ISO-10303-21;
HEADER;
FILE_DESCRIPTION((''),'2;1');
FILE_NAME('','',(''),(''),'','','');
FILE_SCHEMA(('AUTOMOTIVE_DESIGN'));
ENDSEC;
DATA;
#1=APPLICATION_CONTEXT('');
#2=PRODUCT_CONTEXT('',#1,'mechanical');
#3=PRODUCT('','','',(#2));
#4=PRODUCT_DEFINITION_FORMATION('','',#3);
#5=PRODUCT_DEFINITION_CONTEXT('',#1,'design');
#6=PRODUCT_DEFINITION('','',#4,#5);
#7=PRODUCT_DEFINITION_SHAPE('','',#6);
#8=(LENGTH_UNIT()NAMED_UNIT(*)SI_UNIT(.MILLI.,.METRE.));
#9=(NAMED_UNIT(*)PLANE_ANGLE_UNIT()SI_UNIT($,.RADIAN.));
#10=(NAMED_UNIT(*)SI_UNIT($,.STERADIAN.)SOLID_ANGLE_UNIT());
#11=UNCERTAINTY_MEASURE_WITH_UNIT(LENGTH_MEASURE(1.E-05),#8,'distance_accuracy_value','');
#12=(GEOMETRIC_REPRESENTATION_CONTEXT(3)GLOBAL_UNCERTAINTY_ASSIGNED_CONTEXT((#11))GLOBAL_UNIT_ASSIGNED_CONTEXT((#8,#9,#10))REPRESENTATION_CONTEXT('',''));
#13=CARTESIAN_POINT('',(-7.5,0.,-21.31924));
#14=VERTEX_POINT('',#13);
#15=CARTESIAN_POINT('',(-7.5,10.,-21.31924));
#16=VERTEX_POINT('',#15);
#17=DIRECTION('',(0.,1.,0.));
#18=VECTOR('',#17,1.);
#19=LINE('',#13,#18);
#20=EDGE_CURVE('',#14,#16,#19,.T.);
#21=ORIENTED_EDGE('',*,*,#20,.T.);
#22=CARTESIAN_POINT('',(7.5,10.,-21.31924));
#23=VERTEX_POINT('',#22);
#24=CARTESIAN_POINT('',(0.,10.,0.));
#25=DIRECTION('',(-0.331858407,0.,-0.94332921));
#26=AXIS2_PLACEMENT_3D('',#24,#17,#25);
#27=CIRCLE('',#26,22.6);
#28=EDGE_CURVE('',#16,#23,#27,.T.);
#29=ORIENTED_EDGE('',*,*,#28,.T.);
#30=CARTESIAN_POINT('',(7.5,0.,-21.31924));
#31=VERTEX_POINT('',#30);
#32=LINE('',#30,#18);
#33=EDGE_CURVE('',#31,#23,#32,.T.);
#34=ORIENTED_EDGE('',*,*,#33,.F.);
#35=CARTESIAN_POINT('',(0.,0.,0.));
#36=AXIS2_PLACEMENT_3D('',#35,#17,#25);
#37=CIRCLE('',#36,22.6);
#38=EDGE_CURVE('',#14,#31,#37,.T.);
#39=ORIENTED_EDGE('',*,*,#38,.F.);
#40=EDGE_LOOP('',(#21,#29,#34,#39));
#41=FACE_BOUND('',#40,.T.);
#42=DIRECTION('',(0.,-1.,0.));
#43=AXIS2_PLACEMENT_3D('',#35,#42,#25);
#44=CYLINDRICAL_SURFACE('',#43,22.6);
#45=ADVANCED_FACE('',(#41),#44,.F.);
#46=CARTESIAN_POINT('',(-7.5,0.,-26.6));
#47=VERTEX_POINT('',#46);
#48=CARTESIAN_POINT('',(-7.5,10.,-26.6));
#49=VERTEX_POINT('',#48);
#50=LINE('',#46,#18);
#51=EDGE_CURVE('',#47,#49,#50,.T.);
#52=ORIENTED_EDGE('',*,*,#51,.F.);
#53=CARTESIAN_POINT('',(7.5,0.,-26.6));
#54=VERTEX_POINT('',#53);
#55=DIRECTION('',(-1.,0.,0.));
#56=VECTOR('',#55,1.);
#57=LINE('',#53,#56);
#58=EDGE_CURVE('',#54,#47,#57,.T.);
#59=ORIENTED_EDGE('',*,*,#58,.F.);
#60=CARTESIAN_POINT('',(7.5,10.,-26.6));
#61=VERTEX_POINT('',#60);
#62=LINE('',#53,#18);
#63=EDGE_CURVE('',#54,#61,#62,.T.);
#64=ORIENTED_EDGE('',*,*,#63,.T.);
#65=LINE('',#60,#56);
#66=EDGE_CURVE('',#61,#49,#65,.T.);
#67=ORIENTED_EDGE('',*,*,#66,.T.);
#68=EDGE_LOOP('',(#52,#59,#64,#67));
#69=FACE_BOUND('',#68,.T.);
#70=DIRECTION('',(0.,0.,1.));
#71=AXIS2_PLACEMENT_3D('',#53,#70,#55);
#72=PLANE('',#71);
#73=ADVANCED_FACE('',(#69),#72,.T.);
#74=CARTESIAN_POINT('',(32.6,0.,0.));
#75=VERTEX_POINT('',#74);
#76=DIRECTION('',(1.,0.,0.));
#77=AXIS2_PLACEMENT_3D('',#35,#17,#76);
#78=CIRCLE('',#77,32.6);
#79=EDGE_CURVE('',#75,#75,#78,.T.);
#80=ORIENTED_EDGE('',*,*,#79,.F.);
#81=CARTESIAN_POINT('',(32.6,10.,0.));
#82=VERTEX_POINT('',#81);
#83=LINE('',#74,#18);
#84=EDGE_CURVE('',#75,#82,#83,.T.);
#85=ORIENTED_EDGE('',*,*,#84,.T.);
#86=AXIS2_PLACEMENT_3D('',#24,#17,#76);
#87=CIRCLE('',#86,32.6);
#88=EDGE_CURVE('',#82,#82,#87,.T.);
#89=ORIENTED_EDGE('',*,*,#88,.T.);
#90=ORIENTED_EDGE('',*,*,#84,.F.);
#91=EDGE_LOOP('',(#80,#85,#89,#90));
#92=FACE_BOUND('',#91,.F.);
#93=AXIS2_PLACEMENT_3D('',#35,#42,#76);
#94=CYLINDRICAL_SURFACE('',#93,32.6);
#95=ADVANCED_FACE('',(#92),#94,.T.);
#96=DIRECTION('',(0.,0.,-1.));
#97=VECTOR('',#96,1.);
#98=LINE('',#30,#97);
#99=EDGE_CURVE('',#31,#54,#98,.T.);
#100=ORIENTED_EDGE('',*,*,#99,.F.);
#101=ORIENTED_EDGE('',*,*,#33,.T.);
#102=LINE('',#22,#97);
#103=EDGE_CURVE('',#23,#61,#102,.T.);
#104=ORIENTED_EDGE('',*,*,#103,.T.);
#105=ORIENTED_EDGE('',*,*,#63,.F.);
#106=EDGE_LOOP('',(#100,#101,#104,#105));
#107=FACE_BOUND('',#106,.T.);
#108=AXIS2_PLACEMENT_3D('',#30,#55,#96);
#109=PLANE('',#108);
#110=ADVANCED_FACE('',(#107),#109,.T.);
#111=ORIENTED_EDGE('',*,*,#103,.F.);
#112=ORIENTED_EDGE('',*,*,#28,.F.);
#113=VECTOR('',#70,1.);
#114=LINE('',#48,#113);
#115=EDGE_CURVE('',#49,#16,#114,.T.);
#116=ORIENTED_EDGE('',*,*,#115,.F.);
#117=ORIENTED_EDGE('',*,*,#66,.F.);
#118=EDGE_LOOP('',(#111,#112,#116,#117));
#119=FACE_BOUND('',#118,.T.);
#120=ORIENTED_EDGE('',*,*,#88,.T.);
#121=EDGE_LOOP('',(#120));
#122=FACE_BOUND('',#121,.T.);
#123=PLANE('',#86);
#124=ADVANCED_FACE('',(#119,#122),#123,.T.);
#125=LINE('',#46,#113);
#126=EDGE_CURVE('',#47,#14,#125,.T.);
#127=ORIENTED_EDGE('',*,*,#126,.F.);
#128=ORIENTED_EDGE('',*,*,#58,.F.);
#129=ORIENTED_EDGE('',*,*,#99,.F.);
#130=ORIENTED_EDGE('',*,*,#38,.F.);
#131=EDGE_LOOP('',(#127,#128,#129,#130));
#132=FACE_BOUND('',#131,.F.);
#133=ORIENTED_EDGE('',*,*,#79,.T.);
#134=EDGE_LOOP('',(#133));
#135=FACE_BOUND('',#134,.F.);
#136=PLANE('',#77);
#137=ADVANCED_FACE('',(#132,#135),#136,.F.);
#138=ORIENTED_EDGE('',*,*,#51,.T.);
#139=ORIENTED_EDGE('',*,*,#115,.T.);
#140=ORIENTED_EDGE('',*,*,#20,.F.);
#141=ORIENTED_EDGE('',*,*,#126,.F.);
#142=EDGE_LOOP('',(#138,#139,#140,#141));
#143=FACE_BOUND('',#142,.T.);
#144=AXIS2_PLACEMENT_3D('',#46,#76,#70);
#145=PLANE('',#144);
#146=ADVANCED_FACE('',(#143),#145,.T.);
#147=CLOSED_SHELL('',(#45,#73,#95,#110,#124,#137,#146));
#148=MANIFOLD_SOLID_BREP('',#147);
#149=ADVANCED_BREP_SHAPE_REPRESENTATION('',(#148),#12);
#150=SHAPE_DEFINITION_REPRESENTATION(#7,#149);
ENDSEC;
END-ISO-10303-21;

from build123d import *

# Parameters (mm, degrees)
SKETCH1_R      = 32.6
EXTRUDE1_DEPTH = 10


with BuildPart() as part:
    # Sketch1 → Extrude1 (new body)
    with BuildSketch(Plane(origin=(0, 0, 0), x_dir=(1, 0, 0), z_dir=(0, 1, 0))):
        Circle(SKETCH1_R)
        with BuildLine():
            Line((-7.5, 26.6), (-7.5, 21.319240137))
            ThreePointArc((-7.5, 21.319240137), (0, -22.6), (7.5, 21.319240137))
            Line((7.5, 21.319240137), (7.5, 26.6))
            Line((7.5, 26.6), (-7.5, 26.6))
        make_face(mode=Mode.SUBTRACT)
    extrude(amount=EXTRUDE1_DEPTH)


solid = part.part
